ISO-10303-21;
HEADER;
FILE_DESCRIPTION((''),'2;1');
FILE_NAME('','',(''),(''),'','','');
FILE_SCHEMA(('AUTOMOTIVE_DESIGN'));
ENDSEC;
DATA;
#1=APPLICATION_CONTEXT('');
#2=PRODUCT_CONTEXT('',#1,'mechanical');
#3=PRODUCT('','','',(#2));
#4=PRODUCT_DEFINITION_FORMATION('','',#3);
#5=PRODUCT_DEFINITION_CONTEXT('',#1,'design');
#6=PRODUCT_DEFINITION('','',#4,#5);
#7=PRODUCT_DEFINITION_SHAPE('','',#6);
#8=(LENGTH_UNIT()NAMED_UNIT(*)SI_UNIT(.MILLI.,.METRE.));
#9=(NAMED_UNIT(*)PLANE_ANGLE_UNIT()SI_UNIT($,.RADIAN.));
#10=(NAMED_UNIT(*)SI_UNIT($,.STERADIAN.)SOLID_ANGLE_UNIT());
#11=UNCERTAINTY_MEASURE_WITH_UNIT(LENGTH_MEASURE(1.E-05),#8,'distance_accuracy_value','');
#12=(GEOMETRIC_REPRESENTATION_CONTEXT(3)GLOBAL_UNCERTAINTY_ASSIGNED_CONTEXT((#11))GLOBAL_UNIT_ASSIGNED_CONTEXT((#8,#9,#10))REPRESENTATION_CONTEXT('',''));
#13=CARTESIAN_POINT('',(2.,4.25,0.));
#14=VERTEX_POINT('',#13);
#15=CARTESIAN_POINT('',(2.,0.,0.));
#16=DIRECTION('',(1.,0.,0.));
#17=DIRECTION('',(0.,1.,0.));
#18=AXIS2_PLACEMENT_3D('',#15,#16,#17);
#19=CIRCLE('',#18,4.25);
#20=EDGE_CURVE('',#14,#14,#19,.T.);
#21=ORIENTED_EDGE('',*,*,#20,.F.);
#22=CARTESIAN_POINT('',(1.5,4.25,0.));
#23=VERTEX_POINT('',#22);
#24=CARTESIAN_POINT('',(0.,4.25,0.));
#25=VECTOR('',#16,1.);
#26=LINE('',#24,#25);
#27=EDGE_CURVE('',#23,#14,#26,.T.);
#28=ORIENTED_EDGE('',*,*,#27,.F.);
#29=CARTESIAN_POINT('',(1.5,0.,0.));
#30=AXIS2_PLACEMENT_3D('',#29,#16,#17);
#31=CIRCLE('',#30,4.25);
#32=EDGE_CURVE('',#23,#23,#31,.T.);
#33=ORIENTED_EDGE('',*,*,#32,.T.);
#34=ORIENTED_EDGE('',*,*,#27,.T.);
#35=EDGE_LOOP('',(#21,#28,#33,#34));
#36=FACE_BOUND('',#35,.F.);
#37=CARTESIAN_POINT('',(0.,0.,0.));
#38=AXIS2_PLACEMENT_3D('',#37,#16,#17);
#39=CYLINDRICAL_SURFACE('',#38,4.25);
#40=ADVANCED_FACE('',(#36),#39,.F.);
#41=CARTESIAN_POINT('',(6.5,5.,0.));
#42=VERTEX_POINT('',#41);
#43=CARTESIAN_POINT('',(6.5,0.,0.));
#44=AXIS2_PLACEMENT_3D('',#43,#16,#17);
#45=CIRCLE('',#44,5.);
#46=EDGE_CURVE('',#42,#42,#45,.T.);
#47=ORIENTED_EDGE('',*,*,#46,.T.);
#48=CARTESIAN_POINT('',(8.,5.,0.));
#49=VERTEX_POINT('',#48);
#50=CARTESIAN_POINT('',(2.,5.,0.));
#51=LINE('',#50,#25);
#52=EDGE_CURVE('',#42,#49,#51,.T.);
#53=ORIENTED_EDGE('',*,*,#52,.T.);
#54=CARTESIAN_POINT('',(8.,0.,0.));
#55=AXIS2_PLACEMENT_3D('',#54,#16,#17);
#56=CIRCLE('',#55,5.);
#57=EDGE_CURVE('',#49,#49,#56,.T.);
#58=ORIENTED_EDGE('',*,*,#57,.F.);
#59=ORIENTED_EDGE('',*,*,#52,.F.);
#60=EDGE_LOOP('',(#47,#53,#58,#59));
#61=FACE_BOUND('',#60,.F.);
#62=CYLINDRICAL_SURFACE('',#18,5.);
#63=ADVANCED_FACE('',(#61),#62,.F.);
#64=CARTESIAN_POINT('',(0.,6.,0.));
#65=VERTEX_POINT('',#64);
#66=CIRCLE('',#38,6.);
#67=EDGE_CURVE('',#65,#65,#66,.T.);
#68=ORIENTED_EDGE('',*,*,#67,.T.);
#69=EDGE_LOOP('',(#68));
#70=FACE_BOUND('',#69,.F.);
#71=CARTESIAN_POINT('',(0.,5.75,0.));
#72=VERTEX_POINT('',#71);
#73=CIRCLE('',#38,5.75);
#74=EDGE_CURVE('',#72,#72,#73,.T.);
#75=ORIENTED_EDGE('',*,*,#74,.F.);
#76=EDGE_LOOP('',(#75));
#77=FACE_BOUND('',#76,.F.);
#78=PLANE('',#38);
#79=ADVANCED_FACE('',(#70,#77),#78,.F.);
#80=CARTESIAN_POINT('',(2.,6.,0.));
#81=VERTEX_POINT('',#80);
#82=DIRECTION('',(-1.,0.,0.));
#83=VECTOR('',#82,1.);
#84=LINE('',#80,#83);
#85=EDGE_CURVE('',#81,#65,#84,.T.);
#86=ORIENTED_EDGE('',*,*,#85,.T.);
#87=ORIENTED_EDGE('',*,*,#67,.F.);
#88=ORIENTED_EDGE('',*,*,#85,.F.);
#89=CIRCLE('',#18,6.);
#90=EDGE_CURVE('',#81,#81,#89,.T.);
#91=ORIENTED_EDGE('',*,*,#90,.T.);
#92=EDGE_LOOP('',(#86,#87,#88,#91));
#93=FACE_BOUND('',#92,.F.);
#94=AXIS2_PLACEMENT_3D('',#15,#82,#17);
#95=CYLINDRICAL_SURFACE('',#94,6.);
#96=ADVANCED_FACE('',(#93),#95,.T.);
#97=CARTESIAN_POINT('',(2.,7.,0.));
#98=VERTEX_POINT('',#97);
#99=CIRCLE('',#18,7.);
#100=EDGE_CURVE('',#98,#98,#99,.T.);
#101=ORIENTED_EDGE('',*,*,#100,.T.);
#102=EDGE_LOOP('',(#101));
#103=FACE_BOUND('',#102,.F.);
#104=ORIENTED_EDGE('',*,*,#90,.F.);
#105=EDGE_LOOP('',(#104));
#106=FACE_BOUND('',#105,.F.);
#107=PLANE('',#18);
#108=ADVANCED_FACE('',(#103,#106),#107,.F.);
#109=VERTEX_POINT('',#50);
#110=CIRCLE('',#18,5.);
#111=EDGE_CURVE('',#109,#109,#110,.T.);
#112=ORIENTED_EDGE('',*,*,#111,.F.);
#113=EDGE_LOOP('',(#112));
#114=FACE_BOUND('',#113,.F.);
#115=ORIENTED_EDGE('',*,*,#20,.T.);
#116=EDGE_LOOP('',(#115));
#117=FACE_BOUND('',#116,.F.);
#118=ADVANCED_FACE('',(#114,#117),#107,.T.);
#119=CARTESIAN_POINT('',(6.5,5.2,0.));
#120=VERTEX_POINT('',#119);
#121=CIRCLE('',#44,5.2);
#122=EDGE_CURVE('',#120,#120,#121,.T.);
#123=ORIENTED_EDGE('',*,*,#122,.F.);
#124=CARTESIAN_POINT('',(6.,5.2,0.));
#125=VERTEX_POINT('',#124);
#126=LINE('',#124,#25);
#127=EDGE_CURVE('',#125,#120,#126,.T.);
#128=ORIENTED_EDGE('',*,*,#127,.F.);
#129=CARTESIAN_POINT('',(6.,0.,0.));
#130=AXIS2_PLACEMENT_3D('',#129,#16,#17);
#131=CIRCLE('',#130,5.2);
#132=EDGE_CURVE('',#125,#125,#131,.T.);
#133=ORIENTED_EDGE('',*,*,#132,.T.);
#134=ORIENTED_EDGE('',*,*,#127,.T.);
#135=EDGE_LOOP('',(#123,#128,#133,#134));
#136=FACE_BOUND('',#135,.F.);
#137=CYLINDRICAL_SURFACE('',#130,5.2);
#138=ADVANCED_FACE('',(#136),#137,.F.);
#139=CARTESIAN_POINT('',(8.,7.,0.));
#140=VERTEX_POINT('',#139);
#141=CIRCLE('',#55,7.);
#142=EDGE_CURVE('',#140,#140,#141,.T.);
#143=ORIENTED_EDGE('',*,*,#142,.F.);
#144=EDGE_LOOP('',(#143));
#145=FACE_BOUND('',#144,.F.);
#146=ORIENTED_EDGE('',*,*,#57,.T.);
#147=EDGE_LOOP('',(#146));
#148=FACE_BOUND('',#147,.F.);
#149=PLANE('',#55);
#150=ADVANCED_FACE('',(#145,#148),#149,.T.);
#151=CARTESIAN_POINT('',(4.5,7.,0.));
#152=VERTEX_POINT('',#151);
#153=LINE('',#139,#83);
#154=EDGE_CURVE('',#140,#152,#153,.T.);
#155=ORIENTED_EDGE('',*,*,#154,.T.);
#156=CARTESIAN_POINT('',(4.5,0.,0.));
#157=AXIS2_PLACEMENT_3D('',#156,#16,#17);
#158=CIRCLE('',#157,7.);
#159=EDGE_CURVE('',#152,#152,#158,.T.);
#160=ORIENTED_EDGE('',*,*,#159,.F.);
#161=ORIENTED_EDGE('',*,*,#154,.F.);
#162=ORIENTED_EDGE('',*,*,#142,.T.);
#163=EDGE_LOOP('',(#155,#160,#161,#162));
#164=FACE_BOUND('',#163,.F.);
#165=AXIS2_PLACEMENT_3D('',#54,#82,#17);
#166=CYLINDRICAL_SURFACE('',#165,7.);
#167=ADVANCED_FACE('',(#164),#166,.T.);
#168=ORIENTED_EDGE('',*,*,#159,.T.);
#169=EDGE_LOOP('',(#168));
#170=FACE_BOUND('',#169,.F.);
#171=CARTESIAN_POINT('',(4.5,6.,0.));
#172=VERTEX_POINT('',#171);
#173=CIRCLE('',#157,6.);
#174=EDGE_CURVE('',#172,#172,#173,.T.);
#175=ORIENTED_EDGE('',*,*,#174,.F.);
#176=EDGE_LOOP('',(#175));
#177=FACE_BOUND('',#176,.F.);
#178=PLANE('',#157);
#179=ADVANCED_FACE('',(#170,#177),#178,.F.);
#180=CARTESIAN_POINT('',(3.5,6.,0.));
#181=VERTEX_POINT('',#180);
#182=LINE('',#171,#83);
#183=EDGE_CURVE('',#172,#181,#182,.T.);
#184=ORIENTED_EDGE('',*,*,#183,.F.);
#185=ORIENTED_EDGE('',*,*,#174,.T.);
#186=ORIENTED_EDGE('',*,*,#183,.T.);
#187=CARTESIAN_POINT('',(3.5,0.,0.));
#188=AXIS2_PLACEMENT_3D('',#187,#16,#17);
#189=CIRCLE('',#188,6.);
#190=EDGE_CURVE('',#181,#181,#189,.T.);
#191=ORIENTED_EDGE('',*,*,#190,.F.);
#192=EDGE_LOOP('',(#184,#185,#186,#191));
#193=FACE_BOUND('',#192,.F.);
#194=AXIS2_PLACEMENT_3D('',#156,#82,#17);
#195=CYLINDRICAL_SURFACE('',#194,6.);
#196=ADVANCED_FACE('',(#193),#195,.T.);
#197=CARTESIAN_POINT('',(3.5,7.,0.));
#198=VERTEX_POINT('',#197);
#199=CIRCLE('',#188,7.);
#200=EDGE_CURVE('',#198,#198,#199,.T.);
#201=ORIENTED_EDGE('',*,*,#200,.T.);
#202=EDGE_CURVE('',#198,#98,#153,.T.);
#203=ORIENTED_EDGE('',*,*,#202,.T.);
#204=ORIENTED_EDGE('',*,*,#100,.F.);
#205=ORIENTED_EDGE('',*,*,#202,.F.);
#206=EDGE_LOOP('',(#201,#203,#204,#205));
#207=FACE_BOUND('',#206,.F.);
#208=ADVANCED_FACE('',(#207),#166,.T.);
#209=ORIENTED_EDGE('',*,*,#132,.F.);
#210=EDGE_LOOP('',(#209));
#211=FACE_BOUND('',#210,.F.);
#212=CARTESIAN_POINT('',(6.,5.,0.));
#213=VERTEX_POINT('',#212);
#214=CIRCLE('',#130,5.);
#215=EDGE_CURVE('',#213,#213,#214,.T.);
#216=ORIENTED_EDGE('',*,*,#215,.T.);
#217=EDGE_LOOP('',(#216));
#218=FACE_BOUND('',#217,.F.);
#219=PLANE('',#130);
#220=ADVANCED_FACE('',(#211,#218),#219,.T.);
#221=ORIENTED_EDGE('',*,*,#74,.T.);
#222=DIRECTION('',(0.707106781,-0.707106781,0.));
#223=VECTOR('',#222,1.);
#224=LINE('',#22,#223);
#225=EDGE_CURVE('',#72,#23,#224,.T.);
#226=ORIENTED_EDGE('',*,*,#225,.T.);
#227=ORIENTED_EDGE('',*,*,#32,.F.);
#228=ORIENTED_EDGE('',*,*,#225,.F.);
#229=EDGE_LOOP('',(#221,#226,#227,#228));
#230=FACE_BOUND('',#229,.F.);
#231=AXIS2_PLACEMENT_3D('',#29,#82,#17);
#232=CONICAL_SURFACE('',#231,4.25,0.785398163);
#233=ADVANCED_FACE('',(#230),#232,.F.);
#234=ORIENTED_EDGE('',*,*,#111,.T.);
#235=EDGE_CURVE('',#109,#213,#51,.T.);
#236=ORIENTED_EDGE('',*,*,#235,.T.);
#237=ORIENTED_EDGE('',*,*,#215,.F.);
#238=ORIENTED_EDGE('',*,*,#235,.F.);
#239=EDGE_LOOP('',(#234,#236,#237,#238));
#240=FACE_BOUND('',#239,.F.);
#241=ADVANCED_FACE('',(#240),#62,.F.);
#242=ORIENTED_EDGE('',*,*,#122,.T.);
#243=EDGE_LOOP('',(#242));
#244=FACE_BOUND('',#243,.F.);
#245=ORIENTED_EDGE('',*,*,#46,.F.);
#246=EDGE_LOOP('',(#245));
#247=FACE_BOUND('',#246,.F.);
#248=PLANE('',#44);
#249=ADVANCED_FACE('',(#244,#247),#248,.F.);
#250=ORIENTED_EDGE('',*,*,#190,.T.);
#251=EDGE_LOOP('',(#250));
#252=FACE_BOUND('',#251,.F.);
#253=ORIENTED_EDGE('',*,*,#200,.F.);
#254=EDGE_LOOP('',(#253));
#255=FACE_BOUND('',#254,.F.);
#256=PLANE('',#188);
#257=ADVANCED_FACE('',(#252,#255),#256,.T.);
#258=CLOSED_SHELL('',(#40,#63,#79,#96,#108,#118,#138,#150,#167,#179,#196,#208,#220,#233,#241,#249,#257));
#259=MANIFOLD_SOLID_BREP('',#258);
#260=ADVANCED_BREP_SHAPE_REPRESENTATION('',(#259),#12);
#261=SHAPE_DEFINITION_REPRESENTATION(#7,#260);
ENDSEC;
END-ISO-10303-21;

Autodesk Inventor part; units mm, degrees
ref_plane "YZ Plane" through (0, 0, 0) normal (1, 0, 0) x (0, 1, 0)
ref_plane "XZ Plane" through (0, 0, 0) normal (0, 1, 0) x (-1, 0, 0)
ref_plane "XY Plane" through (0, 0, 0) normal (0, 0, 1) x (1, 0, 0)
sketch "Sketch1" plane through (0, 0, 0) normal (0, 0, 1) x (1, 0, 0)
  line L0 (0, 4.25) -> (2, 4.25)
  line L1 (2, 4.25) -> (2, 6)
  line L2 (2, 6) -> (0, 6)
  line L3 (0, 6) -> (0, 4.25)
  line L4 (2, 5) -> (8, 5)
  line L5 (8, 5) -> (8, 7)
  line L6 (8, 7) -> (2, 7)
  line L7 (2, 7) -> (2, 5)
  line L8 (0, 0) -> (3.6589, 0)
  line L9 (3.5, 7) -> (4.5, 7)
  line L10 (4.5, 7) -> (4.5, 6)
  line L11 (4.5, 6) -> (3.5, 6)
  line L12 (3.5, 6) -> (3.5, 7)
  line L13 (6.5, 5) -> (6, 5)
  line L14 (6, 5) -> (6, 5.2)
  line L15 (6, 5.2) -> (6.5, 5.2)
  line L16 (6.5, 5.2) -> (6.5, 5)
  dimension "d0" = 8.5
  dimension "d1" = 14
  dimension "d2" = 12
  dimension "d3" = 10
  dimension "d4" = 8
  dimension "d5" = 2
  dimension "d6" = 3.5
  dimension "d7" = 4.5
  dimension "d8" = 1
  dimension "d15" = 0.5
  dimension "d16" = 0.2
  dimension "d17" = 1.5
revolve "Revolution1" add sketch "Sketch1" angle 360 about axis through (0, 0, 0) along (1, 0, 0) contours L3 L2 L1 L0 | L1 L7 L6 L12 L11 L10 L5 L4 L16 L15 L14
thread "Thread1" size "M14x0.75" class "6g" standard "ANSI Metric M Profile" full length
chamfer "Chamfer1" distance 1.5 angle 45 1 edges at (0, -4.25, 0)
properties part number "405-02" material "Steel, Mild"
